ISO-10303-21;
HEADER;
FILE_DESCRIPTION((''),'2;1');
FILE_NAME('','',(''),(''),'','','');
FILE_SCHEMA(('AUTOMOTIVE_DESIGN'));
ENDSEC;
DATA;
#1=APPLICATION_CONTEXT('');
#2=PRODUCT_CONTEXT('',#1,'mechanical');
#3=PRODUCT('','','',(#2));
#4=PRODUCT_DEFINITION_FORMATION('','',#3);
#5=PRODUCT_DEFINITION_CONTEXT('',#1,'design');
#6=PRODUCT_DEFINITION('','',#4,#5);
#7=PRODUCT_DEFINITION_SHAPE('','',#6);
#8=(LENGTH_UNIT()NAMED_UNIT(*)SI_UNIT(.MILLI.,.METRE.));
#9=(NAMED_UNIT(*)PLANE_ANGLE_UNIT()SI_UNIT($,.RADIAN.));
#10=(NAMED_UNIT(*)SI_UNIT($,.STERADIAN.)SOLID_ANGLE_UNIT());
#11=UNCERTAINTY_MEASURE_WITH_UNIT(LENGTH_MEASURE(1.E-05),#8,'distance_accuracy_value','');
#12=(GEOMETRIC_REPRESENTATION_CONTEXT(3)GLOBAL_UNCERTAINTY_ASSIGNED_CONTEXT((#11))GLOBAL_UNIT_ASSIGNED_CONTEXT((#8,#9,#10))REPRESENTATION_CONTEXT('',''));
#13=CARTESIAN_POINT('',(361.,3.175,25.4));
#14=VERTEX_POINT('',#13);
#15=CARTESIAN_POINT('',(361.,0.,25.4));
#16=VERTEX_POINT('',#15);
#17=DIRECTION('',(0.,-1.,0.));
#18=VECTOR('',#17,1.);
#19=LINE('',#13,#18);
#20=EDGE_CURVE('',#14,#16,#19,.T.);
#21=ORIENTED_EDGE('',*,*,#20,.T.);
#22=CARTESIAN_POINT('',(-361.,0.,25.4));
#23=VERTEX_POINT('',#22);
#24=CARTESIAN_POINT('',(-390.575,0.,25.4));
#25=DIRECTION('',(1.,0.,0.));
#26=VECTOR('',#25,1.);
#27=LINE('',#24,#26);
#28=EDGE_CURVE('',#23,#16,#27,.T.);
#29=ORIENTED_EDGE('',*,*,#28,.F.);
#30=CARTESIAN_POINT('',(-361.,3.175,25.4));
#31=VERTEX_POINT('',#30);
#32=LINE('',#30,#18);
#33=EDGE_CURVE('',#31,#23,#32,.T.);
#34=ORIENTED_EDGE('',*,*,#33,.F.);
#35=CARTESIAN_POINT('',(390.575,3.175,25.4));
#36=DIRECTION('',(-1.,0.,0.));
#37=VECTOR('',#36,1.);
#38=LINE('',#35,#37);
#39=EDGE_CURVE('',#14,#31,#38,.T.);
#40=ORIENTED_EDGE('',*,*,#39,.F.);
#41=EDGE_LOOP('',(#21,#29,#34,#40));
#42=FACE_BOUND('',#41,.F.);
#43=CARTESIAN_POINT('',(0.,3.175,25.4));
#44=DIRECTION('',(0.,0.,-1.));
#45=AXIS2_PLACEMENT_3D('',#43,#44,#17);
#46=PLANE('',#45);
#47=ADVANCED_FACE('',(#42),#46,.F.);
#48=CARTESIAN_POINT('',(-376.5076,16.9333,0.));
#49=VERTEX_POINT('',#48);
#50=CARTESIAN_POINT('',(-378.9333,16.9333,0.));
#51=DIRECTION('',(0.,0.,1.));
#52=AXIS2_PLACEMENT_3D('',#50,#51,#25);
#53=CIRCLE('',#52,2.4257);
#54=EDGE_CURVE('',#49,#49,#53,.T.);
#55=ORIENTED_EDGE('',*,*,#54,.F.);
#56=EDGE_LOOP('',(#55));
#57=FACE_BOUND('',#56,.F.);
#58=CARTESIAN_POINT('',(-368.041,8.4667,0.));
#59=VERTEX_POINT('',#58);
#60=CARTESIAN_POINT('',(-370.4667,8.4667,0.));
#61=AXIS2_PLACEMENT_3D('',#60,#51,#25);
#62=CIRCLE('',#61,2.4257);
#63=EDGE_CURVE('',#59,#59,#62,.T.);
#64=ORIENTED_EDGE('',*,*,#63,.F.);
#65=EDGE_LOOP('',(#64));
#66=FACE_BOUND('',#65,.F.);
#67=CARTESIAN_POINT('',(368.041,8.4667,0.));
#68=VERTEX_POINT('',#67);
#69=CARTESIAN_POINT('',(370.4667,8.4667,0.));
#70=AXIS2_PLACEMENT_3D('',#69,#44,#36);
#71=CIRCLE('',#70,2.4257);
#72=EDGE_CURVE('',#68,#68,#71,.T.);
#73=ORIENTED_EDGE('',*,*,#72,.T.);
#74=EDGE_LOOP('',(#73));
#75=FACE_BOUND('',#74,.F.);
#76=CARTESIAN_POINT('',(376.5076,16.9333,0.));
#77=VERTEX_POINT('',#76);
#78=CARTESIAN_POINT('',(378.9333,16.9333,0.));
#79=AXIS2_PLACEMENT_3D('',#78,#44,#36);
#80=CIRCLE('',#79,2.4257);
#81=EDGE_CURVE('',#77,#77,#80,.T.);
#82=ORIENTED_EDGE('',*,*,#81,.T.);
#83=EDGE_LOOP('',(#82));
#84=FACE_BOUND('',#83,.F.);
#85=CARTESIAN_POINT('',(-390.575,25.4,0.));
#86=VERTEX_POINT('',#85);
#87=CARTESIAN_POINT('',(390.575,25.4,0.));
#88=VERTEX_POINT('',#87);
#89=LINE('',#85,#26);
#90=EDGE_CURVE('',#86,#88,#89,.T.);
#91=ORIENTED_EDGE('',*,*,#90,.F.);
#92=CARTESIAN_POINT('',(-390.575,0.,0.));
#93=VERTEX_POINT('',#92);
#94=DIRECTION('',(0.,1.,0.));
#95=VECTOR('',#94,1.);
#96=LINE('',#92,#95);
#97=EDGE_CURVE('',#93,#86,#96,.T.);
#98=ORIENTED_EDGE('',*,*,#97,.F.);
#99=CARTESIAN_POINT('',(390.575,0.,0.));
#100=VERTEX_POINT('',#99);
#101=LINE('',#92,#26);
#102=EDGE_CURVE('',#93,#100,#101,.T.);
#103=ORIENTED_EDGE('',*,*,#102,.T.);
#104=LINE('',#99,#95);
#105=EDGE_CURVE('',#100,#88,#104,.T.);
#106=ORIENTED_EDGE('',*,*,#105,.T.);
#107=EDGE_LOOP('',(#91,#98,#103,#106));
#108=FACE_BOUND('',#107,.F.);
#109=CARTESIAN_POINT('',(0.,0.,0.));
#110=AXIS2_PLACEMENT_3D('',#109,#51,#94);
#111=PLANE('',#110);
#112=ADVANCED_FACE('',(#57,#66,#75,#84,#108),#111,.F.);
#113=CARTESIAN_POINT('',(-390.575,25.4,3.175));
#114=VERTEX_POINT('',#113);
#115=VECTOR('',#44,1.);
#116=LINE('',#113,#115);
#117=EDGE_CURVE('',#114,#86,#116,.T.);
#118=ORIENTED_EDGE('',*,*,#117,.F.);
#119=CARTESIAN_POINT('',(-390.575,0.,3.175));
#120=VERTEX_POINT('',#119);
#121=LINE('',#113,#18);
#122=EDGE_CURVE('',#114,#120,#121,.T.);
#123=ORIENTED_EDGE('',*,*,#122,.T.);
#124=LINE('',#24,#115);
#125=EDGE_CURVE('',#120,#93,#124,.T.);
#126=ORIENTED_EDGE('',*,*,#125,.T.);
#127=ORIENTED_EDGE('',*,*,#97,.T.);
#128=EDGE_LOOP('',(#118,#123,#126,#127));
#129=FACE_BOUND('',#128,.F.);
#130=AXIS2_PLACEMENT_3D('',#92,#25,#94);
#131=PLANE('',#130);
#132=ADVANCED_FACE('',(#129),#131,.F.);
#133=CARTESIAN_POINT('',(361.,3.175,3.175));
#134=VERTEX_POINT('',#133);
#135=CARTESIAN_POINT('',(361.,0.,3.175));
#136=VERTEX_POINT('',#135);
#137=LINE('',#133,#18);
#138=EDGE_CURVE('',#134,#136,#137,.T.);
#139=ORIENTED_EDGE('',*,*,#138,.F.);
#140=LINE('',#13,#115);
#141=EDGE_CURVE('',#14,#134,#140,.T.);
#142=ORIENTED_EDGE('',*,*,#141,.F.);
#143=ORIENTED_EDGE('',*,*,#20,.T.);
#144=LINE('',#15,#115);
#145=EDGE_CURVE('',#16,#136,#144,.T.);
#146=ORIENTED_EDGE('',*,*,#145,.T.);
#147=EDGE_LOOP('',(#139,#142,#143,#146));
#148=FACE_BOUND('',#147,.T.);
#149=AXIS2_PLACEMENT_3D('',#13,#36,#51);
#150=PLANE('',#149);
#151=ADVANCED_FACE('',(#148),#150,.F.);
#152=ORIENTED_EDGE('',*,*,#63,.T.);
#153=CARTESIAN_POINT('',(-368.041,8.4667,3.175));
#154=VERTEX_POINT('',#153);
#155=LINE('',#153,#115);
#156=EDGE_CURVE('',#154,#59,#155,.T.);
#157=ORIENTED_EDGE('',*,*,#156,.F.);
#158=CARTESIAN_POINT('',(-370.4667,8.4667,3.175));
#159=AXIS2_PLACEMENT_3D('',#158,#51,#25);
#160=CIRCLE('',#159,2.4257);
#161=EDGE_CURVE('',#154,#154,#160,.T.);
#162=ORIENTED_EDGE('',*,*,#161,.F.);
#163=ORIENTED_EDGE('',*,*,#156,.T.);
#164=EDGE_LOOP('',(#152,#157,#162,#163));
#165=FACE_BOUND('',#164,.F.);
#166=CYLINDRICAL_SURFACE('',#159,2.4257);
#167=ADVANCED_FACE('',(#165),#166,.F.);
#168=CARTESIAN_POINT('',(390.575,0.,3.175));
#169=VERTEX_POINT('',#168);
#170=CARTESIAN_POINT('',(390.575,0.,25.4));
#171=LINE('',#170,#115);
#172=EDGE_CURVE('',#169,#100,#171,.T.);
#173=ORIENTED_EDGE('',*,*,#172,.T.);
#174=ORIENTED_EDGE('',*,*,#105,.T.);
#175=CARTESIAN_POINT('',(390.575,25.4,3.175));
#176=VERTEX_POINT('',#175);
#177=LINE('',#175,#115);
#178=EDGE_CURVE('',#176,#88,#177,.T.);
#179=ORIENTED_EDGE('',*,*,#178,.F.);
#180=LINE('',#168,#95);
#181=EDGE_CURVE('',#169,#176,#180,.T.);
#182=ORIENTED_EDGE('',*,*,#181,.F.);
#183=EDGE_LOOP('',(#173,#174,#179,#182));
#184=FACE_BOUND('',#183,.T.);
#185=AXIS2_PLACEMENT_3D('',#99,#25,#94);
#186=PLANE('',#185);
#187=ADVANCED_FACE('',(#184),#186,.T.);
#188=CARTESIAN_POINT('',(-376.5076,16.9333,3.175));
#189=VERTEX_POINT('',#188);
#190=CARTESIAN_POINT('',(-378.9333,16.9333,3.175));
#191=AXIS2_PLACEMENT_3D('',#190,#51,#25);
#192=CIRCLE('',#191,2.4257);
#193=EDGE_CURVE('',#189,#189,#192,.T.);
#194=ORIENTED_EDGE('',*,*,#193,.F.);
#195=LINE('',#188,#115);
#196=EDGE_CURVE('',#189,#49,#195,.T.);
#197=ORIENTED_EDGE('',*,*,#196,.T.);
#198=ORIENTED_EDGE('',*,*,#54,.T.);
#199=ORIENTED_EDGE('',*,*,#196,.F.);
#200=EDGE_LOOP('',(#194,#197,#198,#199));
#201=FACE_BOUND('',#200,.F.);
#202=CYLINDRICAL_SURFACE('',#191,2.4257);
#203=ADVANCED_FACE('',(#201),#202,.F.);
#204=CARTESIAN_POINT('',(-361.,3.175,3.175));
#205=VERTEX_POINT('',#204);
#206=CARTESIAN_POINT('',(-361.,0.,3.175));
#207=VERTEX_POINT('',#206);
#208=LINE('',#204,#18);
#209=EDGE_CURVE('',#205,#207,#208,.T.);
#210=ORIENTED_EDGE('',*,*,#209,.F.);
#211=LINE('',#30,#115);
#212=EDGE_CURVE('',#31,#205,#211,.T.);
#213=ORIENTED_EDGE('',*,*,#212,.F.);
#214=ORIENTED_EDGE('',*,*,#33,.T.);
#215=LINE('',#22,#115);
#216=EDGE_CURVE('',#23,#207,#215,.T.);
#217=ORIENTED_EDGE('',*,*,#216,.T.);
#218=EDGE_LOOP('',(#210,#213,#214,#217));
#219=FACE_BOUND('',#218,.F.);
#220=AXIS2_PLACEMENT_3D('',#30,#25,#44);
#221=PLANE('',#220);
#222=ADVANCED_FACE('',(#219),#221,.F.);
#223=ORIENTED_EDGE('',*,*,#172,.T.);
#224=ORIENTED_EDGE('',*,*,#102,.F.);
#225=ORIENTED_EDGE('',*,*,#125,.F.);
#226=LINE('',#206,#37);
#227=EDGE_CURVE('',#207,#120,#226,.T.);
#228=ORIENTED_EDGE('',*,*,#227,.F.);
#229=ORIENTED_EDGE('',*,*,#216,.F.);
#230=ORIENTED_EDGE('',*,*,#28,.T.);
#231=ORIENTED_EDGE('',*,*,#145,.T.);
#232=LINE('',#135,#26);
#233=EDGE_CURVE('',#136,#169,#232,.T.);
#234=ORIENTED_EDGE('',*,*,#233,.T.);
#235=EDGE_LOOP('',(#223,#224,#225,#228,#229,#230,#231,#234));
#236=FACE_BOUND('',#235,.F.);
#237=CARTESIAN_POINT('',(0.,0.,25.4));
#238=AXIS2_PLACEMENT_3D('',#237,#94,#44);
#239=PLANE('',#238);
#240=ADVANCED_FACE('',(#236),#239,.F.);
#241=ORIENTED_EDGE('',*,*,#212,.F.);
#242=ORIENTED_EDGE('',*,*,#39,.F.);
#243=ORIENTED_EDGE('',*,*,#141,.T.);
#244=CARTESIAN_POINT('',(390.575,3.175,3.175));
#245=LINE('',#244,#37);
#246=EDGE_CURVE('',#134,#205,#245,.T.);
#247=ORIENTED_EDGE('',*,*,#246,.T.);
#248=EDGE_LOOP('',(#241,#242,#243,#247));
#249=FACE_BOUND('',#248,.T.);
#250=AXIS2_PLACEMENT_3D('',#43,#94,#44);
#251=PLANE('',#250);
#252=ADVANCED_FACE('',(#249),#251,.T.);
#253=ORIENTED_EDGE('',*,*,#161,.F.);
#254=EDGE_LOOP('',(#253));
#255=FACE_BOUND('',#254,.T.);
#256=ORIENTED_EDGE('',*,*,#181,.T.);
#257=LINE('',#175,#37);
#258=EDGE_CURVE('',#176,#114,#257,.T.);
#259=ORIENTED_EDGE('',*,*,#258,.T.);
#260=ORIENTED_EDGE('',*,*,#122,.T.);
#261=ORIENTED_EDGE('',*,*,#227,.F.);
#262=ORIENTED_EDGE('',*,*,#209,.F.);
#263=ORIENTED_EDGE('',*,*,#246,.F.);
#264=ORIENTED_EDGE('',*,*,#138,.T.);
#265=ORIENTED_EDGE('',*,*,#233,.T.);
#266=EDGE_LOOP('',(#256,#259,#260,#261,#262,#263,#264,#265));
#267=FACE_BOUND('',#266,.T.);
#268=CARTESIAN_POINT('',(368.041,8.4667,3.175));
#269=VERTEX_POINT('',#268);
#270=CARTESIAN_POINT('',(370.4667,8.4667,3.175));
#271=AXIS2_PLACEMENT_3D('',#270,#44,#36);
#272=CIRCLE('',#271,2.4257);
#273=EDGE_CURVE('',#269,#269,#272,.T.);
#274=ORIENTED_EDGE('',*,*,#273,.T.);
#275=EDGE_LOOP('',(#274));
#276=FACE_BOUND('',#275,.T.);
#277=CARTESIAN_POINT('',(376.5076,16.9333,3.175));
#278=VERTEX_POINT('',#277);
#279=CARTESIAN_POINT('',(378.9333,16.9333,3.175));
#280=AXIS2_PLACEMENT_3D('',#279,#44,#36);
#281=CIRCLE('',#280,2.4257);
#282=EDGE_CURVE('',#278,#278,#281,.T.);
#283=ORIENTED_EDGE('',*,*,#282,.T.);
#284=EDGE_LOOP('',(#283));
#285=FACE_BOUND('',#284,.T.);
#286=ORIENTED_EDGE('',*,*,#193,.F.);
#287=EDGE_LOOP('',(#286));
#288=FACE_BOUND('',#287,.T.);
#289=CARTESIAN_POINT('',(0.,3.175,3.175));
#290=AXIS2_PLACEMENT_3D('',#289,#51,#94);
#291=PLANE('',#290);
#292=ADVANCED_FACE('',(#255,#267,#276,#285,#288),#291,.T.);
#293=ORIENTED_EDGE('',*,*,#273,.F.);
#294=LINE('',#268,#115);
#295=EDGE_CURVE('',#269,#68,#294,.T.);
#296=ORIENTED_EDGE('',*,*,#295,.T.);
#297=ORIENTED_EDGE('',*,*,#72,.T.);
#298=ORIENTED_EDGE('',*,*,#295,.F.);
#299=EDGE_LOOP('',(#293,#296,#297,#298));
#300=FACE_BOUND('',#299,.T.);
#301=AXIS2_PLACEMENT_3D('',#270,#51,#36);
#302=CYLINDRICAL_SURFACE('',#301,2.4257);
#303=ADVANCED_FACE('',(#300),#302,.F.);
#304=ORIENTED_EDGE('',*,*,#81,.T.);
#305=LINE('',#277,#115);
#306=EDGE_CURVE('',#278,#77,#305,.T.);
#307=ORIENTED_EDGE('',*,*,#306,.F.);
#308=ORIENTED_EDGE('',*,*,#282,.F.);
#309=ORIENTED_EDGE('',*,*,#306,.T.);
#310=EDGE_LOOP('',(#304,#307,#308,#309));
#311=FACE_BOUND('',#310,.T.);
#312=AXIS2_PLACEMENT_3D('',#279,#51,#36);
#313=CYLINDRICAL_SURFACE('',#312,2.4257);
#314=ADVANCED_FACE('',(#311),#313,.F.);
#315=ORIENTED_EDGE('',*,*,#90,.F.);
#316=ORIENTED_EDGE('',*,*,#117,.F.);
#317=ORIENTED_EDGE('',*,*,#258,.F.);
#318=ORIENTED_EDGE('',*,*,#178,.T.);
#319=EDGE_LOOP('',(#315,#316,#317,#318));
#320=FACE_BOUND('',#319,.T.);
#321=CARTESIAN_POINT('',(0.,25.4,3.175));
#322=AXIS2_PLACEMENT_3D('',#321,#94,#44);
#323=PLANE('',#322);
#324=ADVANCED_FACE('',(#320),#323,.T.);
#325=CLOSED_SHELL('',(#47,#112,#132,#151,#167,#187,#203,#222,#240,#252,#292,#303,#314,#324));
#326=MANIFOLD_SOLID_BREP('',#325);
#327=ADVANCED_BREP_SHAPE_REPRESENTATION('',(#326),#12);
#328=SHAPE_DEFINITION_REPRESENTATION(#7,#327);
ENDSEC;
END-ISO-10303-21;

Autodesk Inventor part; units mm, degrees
ref_plane "YZ Plane" through (0, 0, 0) normal (1, 0, 0) x (0, 1, 0)
ref_plane "XZ Plane" through (0, 0, 0) normal (0, 1, 0) x (-1, 0, 0)
ref_plane "XY Plane" through (0, 0, 0) normal (0, 0, 1) x (1, 0, 0)
sketch "Sketch1" plane through (0, 0, 0) normal (1, 0, 0) x (0, 1, 0)
  line L0 (25.4, 25.4) -> (0, 25.4) construction
  line L1 (0, 25.4) -> (0, 0)
  line L2 (0, 0) -> (25.4, 0)
  line L3 (25.4, 0) -> (25.4, 25.4) construction
  line L4 (25.4, 25.4) -> (3.175, 25.4) construction
  line L5 (3.175, 25.4) -> (3.175, 3.175)
  line L6 (3.175, 3.175) -> (25.4, 3.175)
  line L7 (25.4, 3.175) -> (25.4, 25.4) construction
  line L8 (25.4, 3.175) -> (25.4, 0)
  line L9 (3.175, 25.4) -> (0, 25.4)
  point P0 (0, 0)
  dimension "d1" = 25.4
  dimension "d2" = 3.175
extrude "Extrusion1" add sketch "Sketch1" along normal mid plane 781.15
sketch "Sketch2" plane through (-390.575, 3.175, 25.4) normal (0, 1, 0) x (1, 0, 0)
  line L0 (0, 0) -> (781.15, 0) projected
  line L1 (0, 0) -> (29.575, 0)
  line L2 (29.575, 0) -> (29.575, 22.225)
  line L3 (29.575, 22.225) -> (0, 22.225)
  line L4 (0, 22.225) -> (0, 0)
  line L5 (0, 22.225) -> (781.15, 22.225) projected
  point P0 (390.575, 25.4)
  point P1 (29.575, 0)
  dimension "d5" = 29.575
extrude "Extrusion2" cut sketch "Sketch2" against normal blind 3.175
sketch "Sketch3" plane through (-390.575, 25.4, 3.175) normal (0, 0, 1) x (1, 0, 0)
  line L0 (0, 0) -> (781.15, 0) construction
  line L1 (3.175, 0) -> (28.575, 0) construction
  line L2 (28.575, 0) -> (28.575, -25.4) construction
  line L3 (28.575, -25.4) -> (3.175, -25.4) construction
  line L4 (3.175, -25.4) -> (3.175, 0) construction
  line L5 (0, -25.4) -> (0, 0) construction
  line L6 (11.6417, -8.4667) -> (20.1083, -8.4667) construction
  line L7 (20.1083, -8.4667) -> (20.1083, -16.9333) construction
  line L8 (20.1083, -16.9333) -> (11.6417, -16.9333) construction
  line L9 (11.6417, -16.9333) -> (11.6417, -8.4667) construction
  circle A0 centre (11.6417, -8.4667) radius 2.4257
  circle A1 centre (20.1083, -16.9333) radius 2.4257
  point P0 (390.575, -25.4)
  point P1 (15.875, -8.4667)
  point P2 (15.875, 0)
  point P3 (20.1083, -12.7)
  point P4 (28.575, -12.7)
  dimension "d14" = 3.175
  dimension "d15" = 25.4
  dimension "d16" = 8.4667
  dimension "d17" = 4.8514
extrude "Extrusion4" cut sketch "Sketch3" against normal blind 3.175
mirror "Mirror2" about plane through (0, 0, 0) normal (1, 0, 0) of "Extrusion4", "Extrusion2"
equation "\"d3\" = beamXW"
equation "\"d17\" = rivetHoleD"
equation "\"shelfMargin\" = 1"
equation "\"beamXW\" = 781.15"
equation "\"s_t\" = 3.175"
equation "\"rivetD\" = 4.7625"
equation "\"rivetHoleD\" = 4.8514"
properties part number "beamX"
